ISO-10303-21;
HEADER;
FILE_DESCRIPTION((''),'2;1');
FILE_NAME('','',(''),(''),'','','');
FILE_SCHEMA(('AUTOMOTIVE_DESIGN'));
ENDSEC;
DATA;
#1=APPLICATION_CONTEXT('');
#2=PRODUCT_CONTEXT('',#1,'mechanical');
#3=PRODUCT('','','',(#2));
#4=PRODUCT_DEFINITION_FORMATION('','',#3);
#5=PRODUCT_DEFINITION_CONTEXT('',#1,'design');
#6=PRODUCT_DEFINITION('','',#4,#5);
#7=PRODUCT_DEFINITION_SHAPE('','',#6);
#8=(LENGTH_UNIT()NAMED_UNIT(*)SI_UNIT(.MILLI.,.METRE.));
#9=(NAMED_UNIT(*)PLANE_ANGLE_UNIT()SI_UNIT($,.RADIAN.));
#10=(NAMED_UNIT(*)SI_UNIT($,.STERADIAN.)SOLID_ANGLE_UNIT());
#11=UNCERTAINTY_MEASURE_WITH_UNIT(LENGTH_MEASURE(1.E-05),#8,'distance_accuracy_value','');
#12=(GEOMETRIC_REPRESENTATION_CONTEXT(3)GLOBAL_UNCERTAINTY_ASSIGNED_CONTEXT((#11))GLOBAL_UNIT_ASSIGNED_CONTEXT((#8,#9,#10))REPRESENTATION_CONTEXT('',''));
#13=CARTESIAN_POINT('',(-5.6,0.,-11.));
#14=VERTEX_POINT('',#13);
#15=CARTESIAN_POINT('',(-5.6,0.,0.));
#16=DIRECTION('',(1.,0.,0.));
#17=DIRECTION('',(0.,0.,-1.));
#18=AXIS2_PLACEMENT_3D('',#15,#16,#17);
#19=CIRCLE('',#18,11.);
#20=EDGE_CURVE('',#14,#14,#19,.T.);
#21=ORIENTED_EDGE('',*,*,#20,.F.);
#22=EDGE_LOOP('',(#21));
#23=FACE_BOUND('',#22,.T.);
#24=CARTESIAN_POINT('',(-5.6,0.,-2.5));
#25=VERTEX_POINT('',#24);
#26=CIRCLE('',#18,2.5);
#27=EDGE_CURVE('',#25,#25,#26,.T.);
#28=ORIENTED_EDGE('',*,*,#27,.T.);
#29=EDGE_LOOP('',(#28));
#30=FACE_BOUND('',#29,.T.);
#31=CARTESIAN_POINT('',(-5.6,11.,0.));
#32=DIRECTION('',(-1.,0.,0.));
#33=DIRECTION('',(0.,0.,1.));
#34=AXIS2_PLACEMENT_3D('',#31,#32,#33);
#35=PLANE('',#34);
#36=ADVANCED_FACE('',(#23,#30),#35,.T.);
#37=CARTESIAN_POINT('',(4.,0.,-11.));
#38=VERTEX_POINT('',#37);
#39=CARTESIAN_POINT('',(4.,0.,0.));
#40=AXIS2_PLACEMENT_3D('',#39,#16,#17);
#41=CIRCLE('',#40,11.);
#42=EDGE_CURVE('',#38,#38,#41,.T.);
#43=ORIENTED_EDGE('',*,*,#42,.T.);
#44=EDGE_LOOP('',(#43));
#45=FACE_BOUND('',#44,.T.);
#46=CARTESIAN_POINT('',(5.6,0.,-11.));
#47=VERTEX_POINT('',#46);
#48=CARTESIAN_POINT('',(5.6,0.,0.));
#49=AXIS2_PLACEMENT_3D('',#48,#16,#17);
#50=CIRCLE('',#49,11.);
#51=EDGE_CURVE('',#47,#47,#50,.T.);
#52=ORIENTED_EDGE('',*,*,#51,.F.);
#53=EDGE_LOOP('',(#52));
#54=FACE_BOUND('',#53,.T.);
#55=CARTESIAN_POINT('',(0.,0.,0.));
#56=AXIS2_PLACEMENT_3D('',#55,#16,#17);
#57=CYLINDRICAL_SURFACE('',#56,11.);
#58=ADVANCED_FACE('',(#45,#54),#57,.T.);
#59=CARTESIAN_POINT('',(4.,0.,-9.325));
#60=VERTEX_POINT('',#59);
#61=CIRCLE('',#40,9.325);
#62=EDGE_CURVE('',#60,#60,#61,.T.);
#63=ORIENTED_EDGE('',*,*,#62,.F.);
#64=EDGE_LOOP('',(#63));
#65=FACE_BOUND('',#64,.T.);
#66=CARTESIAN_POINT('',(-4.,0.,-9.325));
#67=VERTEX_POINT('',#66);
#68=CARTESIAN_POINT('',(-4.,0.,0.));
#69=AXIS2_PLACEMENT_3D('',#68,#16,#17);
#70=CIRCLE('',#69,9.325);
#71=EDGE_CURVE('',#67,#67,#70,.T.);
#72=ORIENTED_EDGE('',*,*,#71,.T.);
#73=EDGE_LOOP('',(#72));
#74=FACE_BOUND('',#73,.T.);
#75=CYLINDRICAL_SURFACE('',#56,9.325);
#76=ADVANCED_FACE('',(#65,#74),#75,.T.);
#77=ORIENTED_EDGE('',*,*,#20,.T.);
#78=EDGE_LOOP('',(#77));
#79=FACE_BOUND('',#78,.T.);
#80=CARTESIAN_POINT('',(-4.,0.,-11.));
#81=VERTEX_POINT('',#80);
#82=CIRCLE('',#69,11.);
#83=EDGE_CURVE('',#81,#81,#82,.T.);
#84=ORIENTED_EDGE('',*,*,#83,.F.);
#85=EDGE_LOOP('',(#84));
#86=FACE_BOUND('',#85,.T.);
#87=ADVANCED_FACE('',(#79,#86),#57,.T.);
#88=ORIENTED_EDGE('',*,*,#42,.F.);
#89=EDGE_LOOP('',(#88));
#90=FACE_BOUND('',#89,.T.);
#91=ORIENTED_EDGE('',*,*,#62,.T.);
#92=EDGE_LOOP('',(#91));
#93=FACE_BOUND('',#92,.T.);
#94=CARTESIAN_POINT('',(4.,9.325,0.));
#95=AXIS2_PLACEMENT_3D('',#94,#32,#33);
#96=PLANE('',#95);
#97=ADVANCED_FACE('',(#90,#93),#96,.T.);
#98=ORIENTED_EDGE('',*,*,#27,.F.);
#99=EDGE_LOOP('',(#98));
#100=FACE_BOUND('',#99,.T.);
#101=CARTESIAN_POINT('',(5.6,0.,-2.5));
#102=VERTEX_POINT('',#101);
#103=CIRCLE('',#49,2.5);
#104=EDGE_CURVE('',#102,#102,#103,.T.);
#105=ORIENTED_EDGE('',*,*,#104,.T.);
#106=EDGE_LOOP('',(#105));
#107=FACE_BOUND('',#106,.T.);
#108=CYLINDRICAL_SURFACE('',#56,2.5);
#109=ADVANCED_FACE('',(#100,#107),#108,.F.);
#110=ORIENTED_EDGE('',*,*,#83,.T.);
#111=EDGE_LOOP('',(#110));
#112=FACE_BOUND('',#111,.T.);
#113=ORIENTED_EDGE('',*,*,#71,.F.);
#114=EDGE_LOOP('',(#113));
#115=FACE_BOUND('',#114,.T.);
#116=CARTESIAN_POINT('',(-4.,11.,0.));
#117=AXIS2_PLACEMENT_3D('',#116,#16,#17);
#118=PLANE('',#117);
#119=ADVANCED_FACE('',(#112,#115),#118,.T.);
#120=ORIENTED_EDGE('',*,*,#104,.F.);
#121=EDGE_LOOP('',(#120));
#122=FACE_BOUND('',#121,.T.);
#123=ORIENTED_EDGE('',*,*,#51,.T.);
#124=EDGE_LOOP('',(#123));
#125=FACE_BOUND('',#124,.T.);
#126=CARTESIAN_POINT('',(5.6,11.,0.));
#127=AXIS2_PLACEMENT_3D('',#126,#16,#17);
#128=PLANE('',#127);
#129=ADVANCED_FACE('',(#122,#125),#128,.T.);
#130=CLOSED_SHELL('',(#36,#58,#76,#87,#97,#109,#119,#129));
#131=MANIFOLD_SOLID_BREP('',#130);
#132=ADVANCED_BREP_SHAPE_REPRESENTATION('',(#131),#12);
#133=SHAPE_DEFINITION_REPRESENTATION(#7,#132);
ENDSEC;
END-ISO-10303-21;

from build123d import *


with BuildPart() as part:
    # Sketch1 → Revolve1 (revolve)
    with BuildSketch(Plane.XY, mode=Mode.PRIVATE) as revolve1_sk:
        Polygon((-5.6, 11), (-4, 11), (-4, 9.325), (4, 9.325), (4, 11), (5.6, 11), (5.6, 2.5), (-5.6, 2.5), align=None)
    revolve(revolve1_sk.sketch.rotate(Axis((0, 0, 0), (-1, 0, 0)), 90), axis=Axis((0, 0, 0), (-1, 0, 0)))


solid = part.part
